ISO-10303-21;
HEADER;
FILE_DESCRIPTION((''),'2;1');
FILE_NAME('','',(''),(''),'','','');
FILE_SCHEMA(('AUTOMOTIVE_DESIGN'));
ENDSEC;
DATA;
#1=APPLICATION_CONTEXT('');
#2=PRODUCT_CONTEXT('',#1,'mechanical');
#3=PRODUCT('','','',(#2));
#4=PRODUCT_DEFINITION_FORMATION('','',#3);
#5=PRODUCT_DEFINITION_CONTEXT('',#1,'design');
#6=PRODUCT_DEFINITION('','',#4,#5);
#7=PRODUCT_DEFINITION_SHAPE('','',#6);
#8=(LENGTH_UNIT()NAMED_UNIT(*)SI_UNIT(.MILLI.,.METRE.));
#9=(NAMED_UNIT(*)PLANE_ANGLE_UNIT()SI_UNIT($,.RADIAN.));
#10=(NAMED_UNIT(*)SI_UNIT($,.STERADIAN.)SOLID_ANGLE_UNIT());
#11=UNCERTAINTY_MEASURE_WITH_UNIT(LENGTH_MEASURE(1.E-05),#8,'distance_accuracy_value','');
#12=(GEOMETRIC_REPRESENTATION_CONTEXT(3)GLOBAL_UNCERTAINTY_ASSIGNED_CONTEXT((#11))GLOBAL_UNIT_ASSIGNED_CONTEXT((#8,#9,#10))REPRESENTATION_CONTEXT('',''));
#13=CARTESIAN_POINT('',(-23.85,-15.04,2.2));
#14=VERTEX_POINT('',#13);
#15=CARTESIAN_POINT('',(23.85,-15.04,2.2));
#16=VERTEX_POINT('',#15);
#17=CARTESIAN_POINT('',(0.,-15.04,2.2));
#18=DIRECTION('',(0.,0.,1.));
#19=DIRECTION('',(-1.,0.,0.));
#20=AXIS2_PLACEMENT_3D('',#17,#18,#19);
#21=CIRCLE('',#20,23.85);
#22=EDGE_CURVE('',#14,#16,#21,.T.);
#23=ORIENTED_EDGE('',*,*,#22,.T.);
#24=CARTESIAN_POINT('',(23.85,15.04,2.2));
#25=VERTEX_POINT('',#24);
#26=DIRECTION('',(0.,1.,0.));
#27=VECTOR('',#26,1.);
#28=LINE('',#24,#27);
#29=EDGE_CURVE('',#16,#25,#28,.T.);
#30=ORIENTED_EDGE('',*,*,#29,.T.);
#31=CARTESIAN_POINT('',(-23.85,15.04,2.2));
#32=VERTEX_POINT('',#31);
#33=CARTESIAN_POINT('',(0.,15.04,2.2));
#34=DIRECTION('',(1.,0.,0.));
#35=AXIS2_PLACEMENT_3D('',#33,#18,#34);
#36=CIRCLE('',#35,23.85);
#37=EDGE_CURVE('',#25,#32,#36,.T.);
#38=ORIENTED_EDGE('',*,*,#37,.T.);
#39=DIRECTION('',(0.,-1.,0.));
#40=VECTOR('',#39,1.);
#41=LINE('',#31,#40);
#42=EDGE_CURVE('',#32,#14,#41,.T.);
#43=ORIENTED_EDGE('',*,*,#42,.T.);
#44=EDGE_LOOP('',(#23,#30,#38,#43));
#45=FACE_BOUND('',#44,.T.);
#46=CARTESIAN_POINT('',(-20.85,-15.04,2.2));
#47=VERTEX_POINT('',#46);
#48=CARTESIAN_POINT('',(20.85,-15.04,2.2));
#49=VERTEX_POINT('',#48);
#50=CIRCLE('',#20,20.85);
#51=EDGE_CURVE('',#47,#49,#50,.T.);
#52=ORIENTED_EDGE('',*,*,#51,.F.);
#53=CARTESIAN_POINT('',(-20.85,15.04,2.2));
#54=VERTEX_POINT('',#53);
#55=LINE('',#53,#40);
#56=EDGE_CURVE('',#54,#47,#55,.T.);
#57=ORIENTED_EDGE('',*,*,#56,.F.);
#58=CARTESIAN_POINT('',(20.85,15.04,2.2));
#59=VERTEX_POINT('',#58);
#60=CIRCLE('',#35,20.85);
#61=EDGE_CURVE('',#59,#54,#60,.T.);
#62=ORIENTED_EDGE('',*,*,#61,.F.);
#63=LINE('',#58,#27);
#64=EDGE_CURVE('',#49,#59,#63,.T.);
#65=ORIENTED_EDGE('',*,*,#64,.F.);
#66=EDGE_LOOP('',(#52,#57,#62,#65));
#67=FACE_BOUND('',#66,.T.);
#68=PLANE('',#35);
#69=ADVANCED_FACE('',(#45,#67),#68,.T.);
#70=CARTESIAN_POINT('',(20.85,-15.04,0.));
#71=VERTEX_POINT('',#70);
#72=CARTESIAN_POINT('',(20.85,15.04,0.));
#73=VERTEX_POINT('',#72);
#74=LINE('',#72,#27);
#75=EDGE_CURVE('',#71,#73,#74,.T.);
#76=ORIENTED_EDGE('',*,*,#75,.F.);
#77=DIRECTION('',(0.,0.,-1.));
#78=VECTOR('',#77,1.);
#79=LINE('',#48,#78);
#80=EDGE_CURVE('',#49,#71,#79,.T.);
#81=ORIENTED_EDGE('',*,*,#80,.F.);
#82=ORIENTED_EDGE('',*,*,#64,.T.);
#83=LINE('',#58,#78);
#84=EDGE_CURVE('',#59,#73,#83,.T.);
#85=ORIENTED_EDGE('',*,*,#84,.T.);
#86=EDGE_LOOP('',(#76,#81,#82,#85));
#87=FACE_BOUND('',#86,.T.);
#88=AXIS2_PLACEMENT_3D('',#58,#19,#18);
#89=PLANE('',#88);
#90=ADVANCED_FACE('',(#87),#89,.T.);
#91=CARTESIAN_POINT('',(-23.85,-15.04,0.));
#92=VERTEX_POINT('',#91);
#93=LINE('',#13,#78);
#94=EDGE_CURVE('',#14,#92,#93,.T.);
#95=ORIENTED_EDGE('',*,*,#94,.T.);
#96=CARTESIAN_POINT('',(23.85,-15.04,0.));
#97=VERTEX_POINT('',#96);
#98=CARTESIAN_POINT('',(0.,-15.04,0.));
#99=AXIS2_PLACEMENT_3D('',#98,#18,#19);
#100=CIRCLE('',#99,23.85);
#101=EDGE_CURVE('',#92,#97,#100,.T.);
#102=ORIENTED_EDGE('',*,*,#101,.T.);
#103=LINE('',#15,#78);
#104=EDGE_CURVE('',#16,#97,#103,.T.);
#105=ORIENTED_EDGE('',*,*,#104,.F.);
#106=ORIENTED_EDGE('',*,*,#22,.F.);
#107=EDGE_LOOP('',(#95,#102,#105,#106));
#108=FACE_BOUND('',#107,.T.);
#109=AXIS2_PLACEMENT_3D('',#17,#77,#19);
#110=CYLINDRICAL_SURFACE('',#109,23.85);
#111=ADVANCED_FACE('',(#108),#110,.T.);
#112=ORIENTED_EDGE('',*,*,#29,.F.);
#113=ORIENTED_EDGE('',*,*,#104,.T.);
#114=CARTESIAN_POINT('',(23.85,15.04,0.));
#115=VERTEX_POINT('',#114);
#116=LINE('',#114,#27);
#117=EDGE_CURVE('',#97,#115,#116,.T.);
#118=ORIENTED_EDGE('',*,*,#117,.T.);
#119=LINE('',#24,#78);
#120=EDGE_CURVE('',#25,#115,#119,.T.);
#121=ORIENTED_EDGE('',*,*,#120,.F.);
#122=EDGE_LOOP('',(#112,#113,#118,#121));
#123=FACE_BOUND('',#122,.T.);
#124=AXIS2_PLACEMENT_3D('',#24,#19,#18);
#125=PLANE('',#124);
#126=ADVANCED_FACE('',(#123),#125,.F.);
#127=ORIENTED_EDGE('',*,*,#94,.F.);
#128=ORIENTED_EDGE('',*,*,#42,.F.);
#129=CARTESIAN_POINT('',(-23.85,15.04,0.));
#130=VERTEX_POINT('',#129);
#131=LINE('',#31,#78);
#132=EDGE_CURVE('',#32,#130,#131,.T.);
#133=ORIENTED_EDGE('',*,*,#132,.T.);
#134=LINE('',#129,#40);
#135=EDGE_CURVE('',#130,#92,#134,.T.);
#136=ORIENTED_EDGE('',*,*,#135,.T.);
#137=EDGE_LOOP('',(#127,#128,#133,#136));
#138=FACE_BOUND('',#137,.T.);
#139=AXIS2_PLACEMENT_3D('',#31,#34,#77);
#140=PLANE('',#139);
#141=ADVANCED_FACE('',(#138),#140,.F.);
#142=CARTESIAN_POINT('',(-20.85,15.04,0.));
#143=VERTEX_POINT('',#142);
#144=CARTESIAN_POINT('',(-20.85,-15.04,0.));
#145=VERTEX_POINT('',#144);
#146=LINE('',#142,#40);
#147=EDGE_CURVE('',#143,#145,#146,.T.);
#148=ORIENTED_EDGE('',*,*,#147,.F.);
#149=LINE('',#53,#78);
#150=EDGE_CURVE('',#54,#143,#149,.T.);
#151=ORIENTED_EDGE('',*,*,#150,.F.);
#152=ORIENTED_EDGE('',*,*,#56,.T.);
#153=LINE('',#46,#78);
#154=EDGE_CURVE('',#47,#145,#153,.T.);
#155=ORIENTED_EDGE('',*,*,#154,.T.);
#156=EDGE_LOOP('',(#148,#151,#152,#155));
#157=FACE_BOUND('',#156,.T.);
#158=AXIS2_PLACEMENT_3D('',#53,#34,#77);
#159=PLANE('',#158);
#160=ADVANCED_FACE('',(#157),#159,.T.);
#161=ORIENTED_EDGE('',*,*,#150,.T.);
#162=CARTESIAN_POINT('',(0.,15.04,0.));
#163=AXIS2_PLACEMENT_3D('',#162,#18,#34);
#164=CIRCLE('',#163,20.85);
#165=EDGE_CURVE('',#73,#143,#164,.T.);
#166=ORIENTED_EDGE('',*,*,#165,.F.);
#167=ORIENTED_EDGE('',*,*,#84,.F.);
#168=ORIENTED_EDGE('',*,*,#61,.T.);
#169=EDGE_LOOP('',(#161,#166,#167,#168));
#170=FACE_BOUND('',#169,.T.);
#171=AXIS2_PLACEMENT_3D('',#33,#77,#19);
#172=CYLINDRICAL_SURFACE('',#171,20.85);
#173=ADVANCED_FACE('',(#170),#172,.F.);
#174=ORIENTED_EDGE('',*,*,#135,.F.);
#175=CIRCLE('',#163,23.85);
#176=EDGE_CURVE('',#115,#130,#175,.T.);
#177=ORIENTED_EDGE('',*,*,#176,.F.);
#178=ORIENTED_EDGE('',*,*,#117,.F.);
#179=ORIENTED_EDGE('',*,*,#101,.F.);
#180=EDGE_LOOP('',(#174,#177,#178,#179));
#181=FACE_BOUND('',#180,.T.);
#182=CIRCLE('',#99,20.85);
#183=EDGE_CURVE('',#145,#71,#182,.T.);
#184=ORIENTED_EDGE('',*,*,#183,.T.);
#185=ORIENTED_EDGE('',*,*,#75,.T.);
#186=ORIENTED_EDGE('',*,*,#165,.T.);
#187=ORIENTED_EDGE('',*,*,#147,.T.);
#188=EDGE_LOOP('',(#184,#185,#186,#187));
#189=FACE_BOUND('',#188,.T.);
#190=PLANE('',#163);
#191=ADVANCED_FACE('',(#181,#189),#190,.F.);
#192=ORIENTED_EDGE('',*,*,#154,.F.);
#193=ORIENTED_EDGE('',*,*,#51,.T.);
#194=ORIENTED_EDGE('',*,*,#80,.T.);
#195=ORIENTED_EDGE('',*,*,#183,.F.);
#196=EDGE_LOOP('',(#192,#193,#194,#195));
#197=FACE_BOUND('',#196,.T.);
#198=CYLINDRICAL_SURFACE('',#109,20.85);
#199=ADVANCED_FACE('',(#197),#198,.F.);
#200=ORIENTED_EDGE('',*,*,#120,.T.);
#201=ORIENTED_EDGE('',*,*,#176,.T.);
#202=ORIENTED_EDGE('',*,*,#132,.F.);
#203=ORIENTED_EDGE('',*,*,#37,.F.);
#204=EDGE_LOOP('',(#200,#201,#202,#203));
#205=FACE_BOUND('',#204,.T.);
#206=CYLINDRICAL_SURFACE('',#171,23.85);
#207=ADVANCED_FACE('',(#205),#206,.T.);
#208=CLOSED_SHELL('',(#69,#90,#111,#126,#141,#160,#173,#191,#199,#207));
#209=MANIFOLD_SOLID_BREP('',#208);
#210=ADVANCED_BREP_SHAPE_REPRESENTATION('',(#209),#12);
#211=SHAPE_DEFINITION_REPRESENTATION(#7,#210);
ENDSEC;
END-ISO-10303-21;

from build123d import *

# Parameters (mm, degrees)
BOSS_EXTRUDE1_DEPTH = 2.2


with BuildPart() as part:
    # Sketch1 → Boss-Extrude1 (new body)
    with BuildSketch(Plane.XY):
        with BuildLine():
            Line((-23.85, 15.04), (-23.85, -15.04))
            ThreePointArc((-23.85, -15.04), (0, -38.89), (23.85, -15.04))
            Line((23.85, -15.04), (23.85, 15.04))
            ThreePointArc((23.85, 15.04), (0, 38.89), (-23.85, 15.04))
        make_face()
        with BuildLine():
            Line((-20.85, 15.04), (-20.85, -15.04))
            ThreePointArc((-20.85, -15.04), (0, -35.89), (20.85, -15.04))
            Line((20.85, -15.04), (20.85, 15.04))
            ThreePointArc((20.85, 15.04), (0, 35.89), (-20.85, 15.04))
        make_face(mode=Mode.SUBTRACT)
    extrude(amount=BOSS_EXTRUDE1_DEPTH)


solid = part.part
